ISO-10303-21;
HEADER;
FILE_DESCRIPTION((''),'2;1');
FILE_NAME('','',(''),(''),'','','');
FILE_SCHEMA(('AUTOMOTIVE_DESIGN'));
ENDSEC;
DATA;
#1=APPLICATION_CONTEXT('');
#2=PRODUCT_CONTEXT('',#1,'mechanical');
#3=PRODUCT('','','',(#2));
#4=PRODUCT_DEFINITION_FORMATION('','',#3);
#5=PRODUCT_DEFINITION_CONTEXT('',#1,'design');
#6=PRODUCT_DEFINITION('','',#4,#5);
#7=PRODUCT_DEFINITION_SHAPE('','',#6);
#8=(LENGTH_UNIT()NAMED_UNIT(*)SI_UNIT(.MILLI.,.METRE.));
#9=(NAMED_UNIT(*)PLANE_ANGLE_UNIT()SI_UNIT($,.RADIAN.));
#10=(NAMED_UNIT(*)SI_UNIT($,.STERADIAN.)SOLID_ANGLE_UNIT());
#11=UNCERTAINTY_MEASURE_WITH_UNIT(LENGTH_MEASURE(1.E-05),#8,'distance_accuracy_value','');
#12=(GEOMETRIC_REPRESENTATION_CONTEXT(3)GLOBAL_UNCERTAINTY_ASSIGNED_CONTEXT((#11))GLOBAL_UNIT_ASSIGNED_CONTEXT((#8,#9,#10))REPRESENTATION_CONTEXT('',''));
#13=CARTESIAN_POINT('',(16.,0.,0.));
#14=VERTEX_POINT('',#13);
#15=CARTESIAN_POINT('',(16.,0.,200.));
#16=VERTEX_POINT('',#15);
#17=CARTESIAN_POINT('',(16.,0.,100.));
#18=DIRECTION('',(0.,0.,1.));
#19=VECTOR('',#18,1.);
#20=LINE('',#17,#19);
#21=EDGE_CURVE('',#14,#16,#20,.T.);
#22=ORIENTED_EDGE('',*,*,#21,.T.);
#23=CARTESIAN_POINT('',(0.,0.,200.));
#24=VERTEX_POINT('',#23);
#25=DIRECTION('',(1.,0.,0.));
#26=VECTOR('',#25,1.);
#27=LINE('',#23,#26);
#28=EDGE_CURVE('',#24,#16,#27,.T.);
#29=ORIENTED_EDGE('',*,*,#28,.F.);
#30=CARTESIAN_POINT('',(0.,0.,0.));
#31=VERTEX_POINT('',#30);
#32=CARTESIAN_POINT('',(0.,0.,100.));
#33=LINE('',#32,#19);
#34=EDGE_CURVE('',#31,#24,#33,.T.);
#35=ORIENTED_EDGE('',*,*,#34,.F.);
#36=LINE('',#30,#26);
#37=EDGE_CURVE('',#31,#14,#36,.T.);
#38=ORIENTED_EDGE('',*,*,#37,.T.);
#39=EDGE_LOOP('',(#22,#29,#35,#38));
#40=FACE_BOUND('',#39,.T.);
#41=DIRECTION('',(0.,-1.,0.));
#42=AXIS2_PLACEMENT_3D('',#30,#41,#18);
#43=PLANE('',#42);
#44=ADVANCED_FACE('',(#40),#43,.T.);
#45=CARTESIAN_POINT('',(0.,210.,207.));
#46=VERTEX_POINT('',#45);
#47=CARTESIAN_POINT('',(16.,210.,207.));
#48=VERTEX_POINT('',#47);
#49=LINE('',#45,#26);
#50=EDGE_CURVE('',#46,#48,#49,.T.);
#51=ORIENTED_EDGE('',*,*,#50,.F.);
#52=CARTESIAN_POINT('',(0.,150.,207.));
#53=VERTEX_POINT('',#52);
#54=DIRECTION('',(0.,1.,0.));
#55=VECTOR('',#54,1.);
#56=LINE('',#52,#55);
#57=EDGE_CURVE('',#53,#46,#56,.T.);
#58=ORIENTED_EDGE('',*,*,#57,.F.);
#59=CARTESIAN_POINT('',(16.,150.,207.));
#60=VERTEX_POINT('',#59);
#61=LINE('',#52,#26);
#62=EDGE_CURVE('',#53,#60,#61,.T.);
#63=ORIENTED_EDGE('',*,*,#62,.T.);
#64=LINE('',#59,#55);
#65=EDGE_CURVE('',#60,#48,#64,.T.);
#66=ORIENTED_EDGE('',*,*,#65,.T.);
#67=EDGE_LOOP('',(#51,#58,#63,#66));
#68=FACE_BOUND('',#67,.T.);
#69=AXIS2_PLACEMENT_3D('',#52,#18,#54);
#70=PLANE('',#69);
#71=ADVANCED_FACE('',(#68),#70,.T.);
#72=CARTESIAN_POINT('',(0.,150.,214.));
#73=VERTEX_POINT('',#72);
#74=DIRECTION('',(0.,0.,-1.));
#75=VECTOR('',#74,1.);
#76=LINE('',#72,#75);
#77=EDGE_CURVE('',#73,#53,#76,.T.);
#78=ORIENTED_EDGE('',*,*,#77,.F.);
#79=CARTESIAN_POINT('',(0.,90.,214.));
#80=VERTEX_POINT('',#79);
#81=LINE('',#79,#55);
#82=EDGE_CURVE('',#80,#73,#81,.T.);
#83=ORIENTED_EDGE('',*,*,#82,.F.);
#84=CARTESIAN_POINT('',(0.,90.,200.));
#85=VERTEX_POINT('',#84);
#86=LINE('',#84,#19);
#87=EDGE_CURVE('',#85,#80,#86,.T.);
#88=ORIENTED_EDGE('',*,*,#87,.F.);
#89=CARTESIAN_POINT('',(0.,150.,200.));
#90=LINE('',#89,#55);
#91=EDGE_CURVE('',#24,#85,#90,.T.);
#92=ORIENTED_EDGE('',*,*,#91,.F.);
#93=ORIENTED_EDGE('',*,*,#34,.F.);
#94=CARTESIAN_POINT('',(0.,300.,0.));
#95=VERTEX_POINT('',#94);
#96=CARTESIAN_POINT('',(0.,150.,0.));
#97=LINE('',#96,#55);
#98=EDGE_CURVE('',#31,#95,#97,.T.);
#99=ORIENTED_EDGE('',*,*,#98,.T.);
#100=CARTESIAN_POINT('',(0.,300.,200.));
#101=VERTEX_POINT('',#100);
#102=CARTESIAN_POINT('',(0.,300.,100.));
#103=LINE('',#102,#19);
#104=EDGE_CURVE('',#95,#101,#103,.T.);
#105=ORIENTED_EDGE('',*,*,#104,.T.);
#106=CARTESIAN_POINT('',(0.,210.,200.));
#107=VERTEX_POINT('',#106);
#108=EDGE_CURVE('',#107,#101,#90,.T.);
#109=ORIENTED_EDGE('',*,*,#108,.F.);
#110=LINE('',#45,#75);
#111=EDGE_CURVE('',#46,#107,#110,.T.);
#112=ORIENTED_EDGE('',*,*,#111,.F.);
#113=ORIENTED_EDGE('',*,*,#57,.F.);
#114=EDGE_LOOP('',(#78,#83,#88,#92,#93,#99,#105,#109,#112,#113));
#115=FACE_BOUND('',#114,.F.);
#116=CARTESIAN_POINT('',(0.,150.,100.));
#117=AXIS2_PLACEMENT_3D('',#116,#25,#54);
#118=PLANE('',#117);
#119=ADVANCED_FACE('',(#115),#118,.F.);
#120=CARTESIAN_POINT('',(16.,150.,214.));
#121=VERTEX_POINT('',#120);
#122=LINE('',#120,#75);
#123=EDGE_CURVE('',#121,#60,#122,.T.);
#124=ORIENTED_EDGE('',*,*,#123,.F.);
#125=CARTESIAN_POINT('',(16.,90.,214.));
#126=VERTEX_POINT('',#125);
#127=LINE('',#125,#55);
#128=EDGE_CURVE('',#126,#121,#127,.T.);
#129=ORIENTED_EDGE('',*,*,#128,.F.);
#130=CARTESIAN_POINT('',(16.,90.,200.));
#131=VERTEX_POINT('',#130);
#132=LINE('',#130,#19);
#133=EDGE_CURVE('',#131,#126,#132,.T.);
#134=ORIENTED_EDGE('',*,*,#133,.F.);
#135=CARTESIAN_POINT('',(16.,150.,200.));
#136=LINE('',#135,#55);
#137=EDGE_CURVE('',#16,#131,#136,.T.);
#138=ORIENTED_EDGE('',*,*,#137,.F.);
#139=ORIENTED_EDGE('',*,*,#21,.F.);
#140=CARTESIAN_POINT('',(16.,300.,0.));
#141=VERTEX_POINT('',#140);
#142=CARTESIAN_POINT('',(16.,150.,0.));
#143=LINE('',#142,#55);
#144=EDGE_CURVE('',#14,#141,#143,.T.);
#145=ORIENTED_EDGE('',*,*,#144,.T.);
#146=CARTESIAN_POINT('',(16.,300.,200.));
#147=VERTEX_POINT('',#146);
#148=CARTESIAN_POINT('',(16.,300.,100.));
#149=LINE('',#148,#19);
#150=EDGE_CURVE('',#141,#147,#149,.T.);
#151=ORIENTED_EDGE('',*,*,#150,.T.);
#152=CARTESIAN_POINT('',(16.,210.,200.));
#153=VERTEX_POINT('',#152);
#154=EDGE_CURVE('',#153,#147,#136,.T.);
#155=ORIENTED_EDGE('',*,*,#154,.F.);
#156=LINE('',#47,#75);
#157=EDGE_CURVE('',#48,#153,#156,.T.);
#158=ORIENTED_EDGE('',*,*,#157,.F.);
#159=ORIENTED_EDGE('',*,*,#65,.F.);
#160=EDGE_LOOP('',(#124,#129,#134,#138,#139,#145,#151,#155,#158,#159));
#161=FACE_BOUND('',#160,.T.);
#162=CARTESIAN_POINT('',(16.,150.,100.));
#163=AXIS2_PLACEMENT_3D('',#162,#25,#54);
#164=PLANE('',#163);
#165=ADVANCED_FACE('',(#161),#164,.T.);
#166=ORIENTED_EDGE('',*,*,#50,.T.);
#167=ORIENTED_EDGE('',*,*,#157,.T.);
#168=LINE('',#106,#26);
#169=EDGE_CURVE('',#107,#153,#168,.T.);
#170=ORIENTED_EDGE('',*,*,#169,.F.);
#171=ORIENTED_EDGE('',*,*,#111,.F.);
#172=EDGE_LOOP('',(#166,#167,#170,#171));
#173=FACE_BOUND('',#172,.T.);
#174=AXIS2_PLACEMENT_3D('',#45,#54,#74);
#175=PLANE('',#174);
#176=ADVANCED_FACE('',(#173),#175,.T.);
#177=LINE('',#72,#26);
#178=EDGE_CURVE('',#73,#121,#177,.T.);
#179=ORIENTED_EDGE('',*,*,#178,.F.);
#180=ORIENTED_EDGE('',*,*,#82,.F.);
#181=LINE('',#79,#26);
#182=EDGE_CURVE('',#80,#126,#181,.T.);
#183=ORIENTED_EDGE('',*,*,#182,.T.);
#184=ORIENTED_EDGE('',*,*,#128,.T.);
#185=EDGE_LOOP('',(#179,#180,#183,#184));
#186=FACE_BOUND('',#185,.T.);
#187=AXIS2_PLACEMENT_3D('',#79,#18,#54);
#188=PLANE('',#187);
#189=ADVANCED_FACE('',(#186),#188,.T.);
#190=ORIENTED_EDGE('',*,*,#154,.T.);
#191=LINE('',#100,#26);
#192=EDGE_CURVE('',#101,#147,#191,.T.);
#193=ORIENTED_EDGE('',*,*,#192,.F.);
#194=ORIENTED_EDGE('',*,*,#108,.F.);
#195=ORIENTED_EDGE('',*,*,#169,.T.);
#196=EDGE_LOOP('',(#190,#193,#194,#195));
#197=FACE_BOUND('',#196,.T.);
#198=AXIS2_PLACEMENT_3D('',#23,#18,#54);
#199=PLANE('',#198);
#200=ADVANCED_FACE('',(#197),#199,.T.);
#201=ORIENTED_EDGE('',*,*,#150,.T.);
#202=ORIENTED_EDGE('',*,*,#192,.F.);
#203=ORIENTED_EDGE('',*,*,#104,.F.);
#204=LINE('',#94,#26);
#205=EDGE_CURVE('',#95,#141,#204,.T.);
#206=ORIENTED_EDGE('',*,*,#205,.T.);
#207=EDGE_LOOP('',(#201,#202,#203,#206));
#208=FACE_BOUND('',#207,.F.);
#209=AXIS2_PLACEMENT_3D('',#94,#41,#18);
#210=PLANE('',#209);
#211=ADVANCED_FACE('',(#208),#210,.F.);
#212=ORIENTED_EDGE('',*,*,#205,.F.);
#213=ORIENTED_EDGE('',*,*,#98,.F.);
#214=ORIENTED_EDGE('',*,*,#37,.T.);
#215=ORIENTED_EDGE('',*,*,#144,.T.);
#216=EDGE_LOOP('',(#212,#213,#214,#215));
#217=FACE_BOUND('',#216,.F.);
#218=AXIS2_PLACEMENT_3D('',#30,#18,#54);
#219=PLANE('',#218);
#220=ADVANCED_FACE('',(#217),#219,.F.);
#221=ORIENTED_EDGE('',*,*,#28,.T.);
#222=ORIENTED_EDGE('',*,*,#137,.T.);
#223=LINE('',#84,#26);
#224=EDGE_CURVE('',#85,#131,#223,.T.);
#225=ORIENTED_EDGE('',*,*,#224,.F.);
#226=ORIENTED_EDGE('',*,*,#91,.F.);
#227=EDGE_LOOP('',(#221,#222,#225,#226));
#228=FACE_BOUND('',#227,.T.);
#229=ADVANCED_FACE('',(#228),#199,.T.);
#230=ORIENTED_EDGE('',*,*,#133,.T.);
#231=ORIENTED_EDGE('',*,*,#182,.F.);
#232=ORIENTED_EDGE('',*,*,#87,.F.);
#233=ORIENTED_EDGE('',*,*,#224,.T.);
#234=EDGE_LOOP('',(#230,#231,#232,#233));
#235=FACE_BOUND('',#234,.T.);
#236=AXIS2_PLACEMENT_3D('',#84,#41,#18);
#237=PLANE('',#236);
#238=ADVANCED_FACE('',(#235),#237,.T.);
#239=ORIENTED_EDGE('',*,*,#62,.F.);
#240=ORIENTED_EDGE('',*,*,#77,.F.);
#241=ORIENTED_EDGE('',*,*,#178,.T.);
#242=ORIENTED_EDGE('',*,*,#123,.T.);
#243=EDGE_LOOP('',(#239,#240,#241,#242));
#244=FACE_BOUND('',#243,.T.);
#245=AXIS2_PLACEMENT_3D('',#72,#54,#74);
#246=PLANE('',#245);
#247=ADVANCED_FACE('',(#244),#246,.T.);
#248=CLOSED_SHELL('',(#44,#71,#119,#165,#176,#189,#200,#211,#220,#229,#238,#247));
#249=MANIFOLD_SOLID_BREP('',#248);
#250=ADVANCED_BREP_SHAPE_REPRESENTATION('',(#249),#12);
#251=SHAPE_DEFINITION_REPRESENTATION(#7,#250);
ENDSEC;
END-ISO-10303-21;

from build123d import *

# Parameters (mm, degrees)
F0_W     = 300
F0_H     = 200
F1_DEPTH = 16
F3_DEPTH = 16


with BuildPart() as f1:
    # F0 (on Right) → F1 (new body)
    with BuildSketch(Plane.YZ):
        with Locations((150, 100)):
            Rectangle(F0_W, F0_H)
    extrude(amount=F1_DEPTH)

    # F2 (on face) → F3 (join)
    with BuildSketch(Plane(origin=(0, 0, 0), x_dir=(0, -1, 0), z_dir=(-1, 0, 0))):
        Polygon((-210, 207), (-210, 200), (-90, 200), (-90, 214), (-150, 214), (-150, 207), align=None)
    extrude(amount=-F3_DEPTH)


solid = f1.part
